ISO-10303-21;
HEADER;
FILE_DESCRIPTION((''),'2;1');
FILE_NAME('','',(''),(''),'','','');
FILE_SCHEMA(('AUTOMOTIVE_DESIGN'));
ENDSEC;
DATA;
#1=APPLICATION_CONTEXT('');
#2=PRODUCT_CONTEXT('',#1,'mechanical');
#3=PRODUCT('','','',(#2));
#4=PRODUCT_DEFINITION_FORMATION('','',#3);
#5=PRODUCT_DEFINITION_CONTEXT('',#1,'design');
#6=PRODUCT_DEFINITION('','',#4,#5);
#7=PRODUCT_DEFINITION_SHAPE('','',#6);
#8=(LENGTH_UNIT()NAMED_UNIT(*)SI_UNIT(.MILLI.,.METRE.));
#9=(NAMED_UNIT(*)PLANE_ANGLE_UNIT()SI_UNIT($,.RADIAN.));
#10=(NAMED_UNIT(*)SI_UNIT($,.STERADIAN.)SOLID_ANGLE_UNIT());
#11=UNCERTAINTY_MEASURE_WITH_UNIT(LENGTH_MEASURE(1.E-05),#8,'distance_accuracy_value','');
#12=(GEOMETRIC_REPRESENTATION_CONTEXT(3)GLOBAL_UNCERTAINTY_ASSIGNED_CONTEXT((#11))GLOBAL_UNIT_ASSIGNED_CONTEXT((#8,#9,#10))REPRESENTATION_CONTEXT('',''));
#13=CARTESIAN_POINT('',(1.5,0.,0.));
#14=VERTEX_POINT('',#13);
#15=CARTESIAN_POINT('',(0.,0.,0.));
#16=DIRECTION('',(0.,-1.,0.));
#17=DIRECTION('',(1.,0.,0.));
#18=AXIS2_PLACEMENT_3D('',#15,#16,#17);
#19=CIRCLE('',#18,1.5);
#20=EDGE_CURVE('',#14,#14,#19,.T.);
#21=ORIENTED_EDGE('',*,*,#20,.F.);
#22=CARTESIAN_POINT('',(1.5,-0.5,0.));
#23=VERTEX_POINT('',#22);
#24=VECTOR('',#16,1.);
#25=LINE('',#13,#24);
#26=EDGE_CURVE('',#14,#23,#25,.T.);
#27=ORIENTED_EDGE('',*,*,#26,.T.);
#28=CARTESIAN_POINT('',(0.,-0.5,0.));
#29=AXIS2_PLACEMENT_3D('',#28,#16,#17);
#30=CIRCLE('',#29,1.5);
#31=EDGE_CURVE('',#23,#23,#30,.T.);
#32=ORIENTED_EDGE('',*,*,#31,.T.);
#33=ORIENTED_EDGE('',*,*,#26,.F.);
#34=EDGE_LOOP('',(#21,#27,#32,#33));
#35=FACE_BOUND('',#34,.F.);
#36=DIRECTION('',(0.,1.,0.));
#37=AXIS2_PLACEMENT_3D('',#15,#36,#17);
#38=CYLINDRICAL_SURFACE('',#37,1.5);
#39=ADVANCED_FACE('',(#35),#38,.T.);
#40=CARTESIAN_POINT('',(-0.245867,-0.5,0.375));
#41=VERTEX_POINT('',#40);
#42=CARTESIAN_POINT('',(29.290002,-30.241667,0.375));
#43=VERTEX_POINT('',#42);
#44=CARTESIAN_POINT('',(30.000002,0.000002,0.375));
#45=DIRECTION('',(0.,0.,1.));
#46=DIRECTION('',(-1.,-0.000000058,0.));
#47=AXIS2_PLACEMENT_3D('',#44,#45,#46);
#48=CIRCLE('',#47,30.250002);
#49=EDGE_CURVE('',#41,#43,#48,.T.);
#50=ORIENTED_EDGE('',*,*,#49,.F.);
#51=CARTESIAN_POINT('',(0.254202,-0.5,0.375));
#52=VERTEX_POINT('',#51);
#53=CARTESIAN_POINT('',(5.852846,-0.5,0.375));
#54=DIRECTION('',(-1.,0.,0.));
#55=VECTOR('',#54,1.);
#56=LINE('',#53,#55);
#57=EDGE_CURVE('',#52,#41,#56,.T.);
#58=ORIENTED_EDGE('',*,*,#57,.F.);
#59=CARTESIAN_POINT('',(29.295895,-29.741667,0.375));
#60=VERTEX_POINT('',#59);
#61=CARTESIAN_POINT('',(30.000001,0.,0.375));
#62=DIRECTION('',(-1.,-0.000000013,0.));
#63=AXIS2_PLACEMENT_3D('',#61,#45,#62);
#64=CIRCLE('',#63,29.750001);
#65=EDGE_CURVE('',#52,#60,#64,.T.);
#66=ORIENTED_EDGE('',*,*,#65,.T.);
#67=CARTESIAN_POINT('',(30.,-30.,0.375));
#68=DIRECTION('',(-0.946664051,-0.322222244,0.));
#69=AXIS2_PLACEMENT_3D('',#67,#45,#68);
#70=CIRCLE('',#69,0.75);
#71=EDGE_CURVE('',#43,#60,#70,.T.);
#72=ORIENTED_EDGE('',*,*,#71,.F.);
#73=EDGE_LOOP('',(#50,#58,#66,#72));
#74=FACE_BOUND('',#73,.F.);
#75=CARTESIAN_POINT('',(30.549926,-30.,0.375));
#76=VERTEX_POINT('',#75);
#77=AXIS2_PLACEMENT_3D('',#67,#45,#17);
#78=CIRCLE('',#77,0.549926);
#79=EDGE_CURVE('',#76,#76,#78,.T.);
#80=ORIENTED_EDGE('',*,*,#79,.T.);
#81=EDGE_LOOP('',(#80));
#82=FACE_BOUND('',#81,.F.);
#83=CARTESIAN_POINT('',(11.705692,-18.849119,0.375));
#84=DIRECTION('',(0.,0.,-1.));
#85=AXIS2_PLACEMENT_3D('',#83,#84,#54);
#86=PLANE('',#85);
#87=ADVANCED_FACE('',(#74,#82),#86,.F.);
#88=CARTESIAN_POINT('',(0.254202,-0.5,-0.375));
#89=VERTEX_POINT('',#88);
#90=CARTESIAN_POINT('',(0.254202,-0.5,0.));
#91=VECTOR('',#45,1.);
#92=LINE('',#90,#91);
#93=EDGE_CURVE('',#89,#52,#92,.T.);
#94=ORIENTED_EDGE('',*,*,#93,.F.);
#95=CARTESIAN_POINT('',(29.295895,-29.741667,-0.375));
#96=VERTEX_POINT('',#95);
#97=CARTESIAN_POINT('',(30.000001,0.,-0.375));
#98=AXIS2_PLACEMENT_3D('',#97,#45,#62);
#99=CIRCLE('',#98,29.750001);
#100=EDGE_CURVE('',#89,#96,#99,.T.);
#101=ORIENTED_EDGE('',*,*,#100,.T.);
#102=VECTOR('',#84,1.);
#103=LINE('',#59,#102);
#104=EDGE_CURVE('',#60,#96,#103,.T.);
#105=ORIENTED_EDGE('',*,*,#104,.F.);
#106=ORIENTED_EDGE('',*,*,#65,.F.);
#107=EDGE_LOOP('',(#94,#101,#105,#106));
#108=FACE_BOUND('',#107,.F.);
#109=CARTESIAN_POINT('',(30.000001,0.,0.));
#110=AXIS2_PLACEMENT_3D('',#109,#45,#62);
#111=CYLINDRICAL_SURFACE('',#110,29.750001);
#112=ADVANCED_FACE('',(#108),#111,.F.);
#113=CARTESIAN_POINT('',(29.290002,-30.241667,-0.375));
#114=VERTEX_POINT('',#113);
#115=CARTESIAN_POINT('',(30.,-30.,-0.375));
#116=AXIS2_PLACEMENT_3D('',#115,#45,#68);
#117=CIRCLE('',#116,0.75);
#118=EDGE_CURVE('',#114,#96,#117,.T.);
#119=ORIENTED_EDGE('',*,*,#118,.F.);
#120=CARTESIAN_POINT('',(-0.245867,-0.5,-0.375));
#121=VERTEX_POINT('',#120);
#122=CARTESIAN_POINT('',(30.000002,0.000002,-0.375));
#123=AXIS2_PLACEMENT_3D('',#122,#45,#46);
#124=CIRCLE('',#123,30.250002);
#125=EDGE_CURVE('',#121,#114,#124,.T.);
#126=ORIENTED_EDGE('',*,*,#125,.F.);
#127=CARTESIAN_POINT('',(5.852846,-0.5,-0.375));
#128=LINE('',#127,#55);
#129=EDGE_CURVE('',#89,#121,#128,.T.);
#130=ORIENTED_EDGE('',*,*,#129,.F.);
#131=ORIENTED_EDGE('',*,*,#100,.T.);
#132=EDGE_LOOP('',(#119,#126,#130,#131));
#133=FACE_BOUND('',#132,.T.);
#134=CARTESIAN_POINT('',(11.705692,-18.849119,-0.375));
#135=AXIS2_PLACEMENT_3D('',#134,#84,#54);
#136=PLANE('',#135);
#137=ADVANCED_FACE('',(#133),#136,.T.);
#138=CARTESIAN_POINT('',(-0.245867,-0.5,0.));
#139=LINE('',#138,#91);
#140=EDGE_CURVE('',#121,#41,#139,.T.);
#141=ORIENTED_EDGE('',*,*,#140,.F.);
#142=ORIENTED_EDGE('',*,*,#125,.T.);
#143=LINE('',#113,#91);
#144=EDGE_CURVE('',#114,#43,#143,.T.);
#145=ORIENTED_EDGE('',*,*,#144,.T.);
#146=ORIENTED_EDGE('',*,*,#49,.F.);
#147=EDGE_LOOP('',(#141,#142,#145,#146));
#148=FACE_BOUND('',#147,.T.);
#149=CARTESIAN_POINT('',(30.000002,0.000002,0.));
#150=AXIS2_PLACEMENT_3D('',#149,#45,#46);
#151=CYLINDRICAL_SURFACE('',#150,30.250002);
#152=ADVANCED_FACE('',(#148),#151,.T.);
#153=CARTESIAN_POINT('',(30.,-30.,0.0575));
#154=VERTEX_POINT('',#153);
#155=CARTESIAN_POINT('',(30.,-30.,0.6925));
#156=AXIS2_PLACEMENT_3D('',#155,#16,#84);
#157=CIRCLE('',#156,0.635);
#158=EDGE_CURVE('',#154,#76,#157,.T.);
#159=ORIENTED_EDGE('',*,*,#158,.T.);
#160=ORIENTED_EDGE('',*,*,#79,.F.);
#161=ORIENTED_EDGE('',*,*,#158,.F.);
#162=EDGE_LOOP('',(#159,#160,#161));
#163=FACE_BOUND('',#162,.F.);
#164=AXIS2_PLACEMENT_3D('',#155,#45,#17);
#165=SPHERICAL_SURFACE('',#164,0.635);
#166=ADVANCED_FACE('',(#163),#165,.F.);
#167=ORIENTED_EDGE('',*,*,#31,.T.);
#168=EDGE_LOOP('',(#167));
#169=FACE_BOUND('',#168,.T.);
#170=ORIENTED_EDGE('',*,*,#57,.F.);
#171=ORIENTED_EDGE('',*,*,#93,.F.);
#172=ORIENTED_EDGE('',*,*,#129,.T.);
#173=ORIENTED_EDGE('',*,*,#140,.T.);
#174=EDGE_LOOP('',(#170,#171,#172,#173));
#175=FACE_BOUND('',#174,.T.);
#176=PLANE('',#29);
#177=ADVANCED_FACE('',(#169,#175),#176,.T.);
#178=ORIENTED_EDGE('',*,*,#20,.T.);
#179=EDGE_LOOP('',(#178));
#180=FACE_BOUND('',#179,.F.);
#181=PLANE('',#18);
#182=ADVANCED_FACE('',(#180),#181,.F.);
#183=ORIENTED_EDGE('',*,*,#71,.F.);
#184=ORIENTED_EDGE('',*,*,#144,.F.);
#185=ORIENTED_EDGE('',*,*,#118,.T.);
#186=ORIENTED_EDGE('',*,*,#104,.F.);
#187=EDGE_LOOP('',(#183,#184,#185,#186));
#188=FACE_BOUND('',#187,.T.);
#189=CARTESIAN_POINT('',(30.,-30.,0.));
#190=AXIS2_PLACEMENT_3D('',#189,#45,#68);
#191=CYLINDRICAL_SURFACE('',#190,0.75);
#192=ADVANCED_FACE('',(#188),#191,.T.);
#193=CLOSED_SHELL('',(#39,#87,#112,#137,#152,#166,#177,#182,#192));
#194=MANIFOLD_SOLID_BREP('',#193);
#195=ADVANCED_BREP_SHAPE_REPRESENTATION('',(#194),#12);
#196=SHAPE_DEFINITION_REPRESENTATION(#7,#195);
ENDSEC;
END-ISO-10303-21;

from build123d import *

# Parameters (mm, degrees)
PAD_DEPTH    = 0.375
SKETCH002_R  = 1.5
PAD001_DEPTH = 0.5


with BuildPart() as part:
    # Sketch → Pad (new body, symmetric)
    with BuildSketch(Plane.XY):
        with BuildLine():
            Line((-0.25, 0), (0, 0))
            Line((0, 0), (0.25, 0))
            ThreePointArc((0.25, 0), (8.71609, -20.785997), (29.295895, -29.741667))
            ThreePointArc((29.290002, -30.241667), (30.749948, -30.008839), (29.295895, -29.741667))
            ThreePointArc((-0.25, 0), (8.360454, -21.137467), (29.290002, -30.241667))
        make_face()
    extrude(amount=PAD_DEPTH, both=True)

    # Sketch002 → Pad001 (join)
    with BuildSketch(Plane.XZ):
        Circle(SKETCH002_R)
    extrude(amount=PAD001_DEPTH)

    # Sphere → Sphere (revolve, cut)
    with BuildSketch(Plane(origin=(30, -30, 0.6925), x_dir=(1, 0, 0), z_dir=(0, -1, 0))):
        with BuildLine():
            ThreePointArc((0, -0.635), (0.635, 0), (0, 0.635))
            Line((0, 0.635), (0, -0.635))
        make_face()
    revolve(axis=Axis((30, -30, 0.6925), (0, 0, 1)), mode=Mode.SUBTRACT)


solid = part.part
